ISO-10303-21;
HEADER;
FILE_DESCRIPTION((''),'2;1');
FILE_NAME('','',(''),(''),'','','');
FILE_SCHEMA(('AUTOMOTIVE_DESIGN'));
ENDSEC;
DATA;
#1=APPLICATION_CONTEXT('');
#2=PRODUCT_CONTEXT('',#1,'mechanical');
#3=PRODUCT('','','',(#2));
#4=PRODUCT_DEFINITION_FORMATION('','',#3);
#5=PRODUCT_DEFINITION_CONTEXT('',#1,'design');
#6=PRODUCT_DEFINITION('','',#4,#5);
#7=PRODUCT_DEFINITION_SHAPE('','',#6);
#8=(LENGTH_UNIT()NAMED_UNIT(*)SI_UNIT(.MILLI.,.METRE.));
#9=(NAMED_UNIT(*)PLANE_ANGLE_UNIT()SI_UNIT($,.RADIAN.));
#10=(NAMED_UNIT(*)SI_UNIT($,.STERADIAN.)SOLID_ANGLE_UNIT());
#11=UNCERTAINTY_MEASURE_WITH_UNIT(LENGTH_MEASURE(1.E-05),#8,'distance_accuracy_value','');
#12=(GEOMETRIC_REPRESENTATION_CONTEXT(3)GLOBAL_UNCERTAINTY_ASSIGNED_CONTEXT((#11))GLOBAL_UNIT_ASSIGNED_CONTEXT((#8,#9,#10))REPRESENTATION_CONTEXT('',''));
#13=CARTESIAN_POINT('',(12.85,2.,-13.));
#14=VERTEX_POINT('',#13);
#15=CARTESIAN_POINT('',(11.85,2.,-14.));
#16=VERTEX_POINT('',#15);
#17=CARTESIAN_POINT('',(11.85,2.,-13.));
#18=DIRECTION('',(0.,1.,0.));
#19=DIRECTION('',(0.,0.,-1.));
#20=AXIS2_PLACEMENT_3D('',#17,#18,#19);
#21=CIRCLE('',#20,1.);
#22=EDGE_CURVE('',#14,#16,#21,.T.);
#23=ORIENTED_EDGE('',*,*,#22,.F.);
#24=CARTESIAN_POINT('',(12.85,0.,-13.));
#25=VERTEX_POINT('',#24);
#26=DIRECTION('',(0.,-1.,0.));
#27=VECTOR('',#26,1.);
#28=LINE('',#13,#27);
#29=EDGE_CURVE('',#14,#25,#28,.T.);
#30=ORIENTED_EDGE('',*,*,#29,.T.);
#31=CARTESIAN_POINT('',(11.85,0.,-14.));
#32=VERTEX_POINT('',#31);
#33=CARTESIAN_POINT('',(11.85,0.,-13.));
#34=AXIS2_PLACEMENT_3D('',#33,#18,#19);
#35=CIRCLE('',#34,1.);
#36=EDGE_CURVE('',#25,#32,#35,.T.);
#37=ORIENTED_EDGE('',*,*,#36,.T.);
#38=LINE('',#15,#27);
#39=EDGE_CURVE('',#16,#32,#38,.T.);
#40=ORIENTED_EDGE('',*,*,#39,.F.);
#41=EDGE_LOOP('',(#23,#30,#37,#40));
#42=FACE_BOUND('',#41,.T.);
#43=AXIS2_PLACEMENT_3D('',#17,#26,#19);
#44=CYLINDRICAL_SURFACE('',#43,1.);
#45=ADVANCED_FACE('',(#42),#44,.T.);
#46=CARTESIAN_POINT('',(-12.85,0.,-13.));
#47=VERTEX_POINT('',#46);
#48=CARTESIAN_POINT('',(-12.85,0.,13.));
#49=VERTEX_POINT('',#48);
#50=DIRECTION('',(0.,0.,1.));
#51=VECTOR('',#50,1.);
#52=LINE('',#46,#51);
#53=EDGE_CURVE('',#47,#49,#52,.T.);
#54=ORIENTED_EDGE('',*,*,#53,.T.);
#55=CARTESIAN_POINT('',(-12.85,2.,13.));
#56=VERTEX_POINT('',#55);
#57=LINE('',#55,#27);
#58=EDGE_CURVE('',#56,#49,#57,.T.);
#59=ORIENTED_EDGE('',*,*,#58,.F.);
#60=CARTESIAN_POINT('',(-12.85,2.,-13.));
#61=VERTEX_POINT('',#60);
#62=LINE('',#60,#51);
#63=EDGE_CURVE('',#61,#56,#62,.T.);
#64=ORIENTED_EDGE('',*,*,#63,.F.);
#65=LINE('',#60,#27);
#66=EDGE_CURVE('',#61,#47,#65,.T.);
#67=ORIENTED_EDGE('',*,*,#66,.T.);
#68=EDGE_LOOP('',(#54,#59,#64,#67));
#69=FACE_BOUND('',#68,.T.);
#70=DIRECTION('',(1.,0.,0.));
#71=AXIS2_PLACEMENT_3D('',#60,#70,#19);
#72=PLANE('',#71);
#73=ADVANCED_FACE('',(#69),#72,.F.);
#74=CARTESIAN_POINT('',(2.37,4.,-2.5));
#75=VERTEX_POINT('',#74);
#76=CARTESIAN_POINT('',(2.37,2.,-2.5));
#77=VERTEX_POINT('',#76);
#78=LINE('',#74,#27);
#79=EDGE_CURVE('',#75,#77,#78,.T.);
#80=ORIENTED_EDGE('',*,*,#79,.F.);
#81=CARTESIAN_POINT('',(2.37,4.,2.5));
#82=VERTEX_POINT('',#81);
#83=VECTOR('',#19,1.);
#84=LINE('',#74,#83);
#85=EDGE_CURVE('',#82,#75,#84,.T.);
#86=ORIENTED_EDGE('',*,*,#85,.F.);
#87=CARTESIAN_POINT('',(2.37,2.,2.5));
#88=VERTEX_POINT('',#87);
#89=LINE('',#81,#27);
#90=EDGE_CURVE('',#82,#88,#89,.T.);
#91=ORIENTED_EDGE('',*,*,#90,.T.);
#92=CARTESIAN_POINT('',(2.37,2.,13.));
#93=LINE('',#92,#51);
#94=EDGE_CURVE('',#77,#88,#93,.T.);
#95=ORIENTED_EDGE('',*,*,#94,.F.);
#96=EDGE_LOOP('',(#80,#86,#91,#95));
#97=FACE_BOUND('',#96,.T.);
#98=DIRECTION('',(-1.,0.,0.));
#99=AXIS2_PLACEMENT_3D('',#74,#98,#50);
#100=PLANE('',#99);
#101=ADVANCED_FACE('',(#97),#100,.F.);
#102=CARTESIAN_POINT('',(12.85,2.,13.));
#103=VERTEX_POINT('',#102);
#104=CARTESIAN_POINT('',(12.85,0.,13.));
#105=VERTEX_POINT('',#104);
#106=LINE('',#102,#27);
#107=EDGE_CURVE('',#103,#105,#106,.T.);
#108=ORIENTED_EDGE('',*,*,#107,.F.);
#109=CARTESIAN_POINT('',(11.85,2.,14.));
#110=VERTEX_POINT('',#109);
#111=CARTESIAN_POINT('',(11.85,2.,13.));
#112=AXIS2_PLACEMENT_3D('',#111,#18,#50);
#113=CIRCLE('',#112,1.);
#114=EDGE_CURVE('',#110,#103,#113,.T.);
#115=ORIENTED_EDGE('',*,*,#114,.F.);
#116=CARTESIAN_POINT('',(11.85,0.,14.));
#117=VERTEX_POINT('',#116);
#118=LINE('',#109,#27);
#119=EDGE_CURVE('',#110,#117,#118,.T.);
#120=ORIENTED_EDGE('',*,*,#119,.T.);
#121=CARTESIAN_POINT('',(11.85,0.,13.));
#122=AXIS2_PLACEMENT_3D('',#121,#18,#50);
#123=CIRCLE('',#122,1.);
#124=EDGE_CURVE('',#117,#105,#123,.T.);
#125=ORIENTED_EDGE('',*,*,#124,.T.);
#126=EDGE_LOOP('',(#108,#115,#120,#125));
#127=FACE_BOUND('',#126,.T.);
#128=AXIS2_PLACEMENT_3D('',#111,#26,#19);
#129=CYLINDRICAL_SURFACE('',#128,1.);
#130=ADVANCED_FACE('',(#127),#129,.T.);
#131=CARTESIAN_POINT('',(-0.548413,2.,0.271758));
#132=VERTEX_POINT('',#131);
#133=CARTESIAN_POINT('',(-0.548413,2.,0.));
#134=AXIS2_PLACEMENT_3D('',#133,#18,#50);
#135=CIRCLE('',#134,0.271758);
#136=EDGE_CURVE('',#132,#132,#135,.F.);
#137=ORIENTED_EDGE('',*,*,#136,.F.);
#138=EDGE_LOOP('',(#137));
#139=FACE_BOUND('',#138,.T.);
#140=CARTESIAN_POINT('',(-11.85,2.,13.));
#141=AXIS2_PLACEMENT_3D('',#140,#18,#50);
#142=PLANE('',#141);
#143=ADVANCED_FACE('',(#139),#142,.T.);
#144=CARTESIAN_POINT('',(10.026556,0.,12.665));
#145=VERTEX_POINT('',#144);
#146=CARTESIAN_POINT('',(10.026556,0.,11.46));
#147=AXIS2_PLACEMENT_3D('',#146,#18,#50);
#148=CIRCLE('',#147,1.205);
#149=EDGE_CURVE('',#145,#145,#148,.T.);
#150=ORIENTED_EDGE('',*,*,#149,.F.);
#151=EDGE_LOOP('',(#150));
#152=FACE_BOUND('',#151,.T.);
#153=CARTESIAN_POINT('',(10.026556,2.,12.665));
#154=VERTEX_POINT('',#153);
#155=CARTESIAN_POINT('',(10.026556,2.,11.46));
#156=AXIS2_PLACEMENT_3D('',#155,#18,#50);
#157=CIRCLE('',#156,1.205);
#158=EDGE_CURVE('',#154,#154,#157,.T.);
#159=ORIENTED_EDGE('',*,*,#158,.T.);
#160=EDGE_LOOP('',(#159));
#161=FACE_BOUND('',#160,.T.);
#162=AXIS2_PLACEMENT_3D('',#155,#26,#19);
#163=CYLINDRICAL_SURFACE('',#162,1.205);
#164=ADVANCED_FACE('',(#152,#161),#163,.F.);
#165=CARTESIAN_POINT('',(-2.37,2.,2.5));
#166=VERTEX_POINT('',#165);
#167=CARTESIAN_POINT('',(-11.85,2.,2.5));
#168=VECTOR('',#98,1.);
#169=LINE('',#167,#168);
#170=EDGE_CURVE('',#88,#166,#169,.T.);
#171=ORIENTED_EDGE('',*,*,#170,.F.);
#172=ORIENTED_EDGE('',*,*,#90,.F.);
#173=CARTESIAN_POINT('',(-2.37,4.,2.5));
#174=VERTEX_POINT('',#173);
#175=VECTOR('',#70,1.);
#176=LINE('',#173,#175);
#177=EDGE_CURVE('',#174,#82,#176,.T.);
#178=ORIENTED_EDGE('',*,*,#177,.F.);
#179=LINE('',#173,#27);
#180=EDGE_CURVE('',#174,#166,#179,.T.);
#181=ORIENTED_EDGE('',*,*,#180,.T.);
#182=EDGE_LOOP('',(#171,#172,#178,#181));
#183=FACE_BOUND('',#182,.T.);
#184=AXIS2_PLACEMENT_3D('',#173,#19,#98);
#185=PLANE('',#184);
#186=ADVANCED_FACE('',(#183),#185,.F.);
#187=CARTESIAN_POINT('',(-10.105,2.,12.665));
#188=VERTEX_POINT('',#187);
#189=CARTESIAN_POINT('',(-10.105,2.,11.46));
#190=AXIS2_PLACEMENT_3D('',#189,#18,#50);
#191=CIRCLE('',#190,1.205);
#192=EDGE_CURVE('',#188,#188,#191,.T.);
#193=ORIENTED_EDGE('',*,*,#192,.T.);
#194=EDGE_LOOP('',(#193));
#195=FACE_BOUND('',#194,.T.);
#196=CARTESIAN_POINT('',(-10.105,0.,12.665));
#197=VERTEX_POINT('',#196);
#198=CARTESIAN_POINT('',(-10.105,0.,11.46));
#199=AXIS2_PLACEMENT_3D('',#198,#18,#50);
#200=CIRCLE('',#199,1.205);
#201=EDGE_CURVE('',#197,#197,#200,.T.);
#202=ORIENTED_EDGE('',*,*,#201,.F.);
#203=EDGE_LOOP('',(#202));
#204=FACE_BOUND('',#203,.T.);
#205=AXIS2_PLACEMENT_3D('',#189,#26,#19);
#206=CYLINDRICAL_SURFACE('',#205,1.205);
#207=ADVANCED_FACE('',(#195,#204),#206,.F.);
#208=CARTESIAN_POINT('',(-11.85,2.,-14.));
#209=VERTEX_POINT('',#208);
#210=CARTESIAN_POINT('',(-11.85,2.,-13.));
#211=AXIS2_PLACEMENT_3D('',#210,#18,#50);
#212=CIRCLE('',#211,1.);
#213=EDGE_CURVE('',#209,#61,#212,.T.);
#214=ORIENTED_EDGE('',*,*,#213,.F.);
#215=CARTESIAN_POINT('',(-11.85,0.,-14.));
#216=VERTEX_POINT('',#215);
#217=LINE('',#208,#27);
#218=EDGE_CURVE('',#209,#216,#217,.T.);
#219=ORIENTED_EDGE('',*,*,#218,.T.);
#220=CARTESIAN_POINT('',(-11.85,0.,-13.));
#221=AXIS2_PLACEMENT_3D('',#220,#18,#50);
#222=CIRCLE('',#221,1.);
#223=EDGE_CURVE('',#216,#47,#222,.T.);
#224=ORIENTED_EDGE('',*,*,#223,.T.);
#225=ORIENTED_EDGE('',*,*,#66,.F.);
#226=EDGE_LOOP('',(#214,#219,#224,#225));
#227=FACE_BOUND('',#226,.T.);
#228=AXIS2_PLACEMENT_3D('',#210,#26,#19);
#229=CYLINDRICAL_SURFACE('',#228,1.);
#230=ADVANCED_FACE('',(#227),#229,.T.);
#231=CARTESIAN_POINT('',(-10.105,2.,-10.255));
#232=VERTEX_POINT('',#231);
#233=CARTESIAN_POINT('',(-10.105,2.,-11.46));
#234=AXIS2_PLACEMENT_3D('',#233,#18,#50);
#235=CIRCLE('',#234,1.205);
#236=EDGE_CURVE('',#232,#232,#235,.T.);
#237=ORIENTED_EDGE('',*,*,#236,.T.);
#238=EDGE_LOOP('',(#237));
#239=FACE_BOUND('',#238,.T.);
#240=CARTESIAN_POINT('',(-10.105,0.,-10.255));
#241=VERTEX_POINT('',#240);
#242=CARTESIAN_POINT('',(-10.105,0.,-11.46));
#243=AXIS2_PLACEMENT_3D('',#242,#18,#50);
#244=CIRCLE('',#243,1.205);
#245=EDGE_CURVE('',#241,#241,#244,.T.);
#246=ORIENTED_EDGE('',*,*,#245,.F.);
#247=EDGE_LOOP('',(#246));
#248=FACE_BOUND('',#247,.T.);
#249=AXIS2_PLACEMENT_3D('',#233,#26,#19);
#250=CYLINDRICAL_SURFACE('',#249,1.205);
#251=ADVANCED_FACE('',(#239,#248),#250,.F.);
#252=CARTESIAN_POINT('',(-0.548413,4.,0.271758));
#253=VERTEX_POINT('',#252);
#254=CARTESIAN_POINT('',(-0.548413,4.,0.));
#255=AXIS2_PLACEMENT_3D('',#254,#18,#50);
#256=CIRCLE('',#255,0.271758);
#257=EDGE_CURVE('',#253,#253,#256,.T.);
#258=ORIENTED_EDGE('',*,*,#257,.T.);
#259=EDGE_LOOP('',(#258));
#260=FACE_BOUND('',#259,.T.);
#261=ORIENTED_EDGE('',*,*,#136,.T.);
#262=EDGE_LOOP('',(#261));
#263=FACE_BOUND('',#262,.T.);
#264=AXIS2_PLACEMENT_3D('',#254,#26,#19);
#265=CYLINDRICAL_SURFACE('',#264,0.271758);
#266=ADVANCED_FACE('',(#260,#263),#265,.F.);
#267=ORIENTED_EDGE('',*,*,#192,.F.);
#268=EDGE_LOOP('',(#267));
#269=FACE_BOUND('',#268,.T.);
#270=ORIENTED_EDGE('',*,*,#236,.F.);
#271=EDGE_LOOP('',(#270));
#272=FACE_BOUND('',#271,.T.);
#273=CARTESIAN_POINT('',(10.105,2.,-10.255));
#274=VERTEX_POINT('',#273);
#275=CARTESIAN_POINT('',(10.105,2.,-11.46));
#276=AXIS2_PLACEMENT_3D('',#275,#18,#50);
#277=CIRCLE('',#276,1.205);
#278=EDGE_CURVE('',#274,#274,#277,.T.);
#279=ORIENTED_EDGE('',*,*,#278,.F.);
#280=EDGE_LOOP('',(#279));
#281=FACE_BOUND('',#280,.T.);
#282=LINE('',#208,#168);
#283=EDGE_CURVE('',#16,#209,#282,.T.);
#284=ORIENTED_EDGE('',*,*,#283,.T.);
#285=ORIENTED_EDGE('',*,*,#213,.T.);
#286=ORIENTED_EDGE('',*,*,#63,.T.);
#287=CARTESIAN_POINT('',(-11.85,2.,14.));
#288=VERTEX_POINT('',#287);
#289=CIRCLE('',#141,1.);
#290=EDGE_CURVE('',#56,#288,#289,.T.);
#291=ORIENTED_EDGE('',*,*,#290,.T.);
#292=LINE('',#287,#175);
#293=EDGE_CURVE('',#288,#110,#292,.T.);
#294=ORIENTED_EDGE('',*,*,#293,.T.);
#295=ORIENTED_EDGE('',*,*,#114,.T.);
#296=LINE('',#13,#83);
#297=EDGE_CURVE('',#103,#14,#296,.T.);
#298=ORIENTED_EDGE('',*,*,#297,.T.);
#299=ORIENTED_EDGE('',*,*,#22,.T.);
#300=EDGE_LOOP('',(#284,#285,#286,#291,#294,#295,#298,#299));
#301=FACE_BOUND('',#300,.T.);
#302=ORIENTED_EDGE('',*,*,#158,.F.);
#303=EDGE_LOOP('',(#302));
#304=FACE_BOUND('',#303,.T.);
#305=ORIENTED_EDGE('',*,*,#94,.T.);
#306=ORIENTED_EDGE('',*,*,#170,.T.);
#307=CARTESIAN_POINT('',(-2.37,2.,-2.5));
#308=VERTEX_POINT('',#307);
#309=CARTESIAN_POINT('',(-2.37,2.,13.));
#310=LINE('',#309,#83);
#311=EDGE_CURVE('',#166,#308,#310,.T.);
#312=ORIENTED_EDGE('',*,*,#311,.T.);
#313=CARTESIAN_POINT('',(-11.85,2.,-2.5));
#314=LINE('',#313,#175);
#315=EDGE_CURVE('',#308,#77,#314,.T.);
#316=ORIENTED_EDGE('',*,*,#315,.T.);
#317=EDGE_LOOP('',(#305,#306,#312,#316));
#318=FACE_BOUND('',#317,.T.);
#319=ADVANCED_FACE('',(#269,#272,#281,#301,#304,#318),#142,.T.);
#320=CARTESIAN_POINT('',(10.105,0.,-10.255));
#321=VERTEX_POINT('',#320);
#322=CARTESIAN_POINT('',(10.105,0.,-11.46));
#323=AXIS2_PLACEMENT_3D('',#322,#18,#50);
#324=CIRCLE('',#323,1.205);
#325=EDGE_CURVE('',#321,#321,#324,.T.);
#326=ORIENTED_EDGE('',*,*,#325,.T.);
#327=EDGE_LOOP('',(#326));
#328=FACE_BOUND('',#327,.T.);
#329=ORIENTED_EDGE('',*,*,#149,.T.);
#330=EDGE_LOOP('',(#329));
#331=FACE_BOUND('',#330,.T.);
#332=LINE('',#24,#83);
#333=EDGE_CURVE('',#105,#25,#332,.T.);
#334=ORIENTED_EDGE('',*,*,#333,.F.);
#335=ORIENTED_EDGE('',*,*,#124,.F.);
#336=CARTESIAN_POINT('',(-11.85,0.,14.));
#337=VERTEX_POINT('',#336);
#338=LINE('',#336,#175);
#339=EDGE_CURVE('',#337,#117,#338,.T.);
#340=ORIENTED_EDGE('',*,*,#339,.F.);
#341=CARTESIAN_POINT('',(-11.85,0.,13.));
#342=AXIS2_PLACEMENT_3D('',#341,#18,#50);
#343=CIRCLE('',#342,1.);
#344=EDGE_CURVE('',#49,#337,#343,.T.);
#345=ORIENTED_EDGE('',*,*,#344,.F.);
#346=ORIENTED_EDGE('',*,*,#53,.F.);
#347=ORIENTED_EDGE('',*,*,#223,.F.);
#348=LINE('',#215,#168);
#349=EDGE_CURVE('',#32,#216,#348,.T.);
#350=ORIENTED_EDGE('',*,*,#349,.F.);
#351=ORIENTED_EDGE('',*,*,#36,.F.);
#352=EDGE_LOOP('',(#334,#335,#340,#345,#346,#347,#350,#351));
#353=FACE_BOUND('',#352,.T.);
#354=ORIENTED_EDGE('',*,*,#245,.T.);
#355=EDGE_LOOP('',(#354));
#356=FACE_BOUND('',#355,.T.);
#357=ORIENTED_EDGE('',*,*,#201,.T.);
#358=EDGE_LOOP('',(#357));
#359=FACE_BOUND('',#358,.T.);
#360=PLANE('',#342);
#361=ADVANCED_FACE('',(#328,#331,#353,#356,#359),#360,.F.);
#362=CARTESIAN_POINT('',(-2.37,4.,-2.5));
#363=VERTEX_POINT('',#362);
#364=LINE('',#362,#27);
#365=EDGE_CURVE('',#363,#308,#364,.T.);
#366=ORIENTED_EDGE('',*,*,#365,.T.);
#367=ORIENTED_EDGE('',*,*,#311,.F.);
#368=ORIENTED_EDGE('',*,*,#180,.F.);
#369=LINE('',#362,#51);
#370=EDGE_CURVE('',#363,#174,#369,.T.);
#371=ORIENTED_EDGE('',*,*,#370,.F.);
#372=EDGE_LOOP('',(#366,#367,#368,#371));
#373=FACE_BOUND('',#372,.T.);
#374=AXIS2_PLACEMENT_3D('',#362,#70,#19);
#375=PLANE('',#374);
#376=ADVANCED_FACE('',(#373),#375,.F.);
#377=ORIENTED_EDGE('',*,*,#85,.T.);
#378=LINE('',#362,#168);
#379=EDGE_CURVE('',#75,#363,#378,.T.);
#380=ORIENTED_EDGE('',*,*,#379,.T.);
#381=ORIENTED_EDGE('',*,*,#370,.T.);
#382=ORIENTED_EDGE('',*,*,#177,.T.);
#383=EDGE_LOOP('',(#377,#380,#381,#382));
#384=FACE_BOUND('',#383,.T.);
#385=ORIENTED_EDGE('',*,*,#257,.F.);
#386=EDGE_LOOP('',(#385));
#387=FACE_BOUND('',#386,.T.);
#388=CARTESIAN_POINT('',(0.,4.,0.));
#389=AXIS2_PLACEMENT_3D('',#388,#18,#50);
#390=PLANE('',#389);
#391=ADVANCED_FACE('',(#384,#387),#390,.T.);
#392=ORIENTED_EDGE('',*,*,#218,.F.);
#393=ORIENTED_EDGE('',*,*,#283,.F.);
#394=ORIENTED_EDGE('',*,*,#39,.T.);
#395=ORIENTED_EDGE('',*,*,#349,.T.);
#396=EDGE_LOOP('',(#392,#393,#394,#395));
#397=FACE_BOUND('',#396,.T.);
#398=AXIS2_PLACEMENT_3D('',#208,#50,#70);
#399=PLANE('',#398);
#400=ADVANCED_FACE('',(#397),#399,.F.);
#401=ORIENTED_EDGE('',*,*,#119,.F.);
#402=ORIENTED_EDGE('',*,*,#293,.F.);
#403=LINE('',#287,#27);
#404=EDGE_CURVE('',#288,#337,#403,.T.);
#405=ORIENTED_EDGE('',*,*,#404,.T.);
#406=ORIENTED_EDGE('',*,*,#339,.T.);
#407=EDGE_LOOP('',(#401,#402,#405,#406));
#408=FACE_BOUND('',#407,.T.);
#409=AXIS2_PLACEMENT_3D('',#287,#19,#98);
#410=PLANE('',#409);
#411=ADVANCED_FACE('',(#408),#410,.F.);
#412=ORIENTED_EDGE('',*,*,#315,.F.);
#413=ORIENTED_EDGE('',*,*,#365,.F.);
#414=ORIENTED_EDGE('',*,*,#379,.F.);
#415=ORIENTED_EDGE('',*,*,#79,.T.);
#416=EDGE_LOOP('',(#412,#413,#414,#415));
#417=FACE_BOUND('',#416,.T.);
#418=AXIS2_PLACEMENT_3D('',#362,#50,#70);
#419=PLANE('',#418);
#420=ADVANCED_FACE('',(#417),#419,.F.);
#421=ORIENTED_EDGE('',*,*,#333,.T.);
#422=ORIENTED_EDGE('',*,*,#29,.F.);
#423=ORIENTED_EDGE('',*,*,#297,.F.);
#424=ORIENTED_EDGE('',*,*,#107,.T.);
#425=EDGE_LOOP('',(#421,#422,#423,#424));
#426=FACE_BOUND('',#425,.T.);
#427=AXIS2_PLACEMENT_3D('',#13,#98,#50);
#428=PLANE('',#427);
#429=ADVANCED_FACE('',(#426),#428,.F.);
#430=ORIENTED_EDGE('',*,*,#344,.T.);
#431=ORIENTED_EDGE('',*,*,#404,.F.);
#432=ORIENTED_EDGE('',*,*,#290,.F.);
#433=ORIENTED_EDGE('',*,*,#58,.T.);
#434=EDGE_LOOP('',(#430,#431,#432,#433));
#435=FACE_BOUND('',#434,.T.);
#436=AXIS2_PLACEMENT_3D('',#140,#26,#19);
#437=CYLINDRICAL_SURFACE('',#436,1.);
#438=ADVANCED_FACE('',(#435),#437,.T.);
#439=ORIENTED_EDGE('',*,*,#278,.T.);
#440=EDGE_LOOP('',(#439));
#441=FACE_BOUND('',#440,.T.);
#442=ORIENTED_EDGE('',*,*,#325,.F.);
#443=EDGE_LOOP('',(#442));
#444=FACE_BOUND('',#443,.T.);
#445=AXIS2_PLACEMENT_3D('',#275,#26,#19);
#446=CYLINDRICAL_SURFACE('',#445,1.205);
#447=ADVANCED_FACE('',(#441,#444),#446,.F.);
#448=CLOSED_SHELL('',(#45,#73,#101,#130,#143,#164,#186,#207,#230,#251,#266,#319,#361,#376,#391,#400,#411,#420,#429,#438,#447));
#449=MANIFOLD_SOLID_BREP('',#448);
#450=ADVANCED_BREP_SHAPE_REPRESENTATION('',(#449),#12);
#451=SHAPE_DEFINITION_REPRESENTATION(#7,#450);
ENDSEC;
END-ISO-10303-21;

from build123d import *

# Parameters (mm, degrees)
SKETCH1_R           = 1.205
BOSS_EXTRUDE1_DEPTH = 2
SKETCH2_W           = 4.74
SKETCH2_H           = 5
SKETCH2_R           = 0.271758231
BOSS_EXTRUDE2_DEPTH = 4


with BuildPart() as part:
    # Sketch1 → Boss-Extrude1 (new body)
    with BuildSketch(Plane(origin=(0, 0, 0), x_dir=(1, 0, 0), z_dir=(0, 1, 0))):
        with BuildLine():
            Line((-11.85, 14), (11.85, 14))
            ThreePointArc((11.85, 14), (12.557106781, 13.707106781), (12.85, 13))
            Line((12.85, 13), (12.85, -13))
            ThreePointArc((12.85, -13), (12.557106781, -13.707106781), (11.85, -14))
            Line((11.85, -14), (-11.85, -14))
            ThreePointArc((-11.85, -14), (-12.557106781, -13.707106781), (-12.85, -13))
            Line((-12.85, -13), (-12.85, 13))
            ThreePointArc((-12.85, 13), (-12.557106781, 13.707106781), (-11.85, 14))
        make_face()
        with Locations((-10.105, 11.46)):
            Circle(SKETCH1_R, mode=Mode.SUBTRACT)
        with Locations((-10.105, -11.46)):
            Circle(SKETCH1_R, mode=Mode.SUBTRACT)
        with Locations((10.026555832, -11.46)):
            Circle(SKETCH1_R, mode=Mode.SUBTRACT)
        with Locations((10.105, 11.46)):
            Circle(SKETCH1_R, mode=Mode.SUBTRACT)
    extrude(amount=BOSS_EXTRUDE1_DEPTH)

    # Sketch2 → Boss-Extrude2 (add)
    with BuildSketch(Plane(origin=(0, 0, 0), x_dir=(1, 0, 0), z_dir=(0, 1, 0))):
        Rectangle(SKETCH2_W, SKETCH2_H)
        with Locations((-0.548413106, 0)):
            Circle(SKETCH2_R, mode=Mode.SUBTRACT)
    extrude(amount=BOSS_EXTRUDE2_DEPTH)


solid = part.part
